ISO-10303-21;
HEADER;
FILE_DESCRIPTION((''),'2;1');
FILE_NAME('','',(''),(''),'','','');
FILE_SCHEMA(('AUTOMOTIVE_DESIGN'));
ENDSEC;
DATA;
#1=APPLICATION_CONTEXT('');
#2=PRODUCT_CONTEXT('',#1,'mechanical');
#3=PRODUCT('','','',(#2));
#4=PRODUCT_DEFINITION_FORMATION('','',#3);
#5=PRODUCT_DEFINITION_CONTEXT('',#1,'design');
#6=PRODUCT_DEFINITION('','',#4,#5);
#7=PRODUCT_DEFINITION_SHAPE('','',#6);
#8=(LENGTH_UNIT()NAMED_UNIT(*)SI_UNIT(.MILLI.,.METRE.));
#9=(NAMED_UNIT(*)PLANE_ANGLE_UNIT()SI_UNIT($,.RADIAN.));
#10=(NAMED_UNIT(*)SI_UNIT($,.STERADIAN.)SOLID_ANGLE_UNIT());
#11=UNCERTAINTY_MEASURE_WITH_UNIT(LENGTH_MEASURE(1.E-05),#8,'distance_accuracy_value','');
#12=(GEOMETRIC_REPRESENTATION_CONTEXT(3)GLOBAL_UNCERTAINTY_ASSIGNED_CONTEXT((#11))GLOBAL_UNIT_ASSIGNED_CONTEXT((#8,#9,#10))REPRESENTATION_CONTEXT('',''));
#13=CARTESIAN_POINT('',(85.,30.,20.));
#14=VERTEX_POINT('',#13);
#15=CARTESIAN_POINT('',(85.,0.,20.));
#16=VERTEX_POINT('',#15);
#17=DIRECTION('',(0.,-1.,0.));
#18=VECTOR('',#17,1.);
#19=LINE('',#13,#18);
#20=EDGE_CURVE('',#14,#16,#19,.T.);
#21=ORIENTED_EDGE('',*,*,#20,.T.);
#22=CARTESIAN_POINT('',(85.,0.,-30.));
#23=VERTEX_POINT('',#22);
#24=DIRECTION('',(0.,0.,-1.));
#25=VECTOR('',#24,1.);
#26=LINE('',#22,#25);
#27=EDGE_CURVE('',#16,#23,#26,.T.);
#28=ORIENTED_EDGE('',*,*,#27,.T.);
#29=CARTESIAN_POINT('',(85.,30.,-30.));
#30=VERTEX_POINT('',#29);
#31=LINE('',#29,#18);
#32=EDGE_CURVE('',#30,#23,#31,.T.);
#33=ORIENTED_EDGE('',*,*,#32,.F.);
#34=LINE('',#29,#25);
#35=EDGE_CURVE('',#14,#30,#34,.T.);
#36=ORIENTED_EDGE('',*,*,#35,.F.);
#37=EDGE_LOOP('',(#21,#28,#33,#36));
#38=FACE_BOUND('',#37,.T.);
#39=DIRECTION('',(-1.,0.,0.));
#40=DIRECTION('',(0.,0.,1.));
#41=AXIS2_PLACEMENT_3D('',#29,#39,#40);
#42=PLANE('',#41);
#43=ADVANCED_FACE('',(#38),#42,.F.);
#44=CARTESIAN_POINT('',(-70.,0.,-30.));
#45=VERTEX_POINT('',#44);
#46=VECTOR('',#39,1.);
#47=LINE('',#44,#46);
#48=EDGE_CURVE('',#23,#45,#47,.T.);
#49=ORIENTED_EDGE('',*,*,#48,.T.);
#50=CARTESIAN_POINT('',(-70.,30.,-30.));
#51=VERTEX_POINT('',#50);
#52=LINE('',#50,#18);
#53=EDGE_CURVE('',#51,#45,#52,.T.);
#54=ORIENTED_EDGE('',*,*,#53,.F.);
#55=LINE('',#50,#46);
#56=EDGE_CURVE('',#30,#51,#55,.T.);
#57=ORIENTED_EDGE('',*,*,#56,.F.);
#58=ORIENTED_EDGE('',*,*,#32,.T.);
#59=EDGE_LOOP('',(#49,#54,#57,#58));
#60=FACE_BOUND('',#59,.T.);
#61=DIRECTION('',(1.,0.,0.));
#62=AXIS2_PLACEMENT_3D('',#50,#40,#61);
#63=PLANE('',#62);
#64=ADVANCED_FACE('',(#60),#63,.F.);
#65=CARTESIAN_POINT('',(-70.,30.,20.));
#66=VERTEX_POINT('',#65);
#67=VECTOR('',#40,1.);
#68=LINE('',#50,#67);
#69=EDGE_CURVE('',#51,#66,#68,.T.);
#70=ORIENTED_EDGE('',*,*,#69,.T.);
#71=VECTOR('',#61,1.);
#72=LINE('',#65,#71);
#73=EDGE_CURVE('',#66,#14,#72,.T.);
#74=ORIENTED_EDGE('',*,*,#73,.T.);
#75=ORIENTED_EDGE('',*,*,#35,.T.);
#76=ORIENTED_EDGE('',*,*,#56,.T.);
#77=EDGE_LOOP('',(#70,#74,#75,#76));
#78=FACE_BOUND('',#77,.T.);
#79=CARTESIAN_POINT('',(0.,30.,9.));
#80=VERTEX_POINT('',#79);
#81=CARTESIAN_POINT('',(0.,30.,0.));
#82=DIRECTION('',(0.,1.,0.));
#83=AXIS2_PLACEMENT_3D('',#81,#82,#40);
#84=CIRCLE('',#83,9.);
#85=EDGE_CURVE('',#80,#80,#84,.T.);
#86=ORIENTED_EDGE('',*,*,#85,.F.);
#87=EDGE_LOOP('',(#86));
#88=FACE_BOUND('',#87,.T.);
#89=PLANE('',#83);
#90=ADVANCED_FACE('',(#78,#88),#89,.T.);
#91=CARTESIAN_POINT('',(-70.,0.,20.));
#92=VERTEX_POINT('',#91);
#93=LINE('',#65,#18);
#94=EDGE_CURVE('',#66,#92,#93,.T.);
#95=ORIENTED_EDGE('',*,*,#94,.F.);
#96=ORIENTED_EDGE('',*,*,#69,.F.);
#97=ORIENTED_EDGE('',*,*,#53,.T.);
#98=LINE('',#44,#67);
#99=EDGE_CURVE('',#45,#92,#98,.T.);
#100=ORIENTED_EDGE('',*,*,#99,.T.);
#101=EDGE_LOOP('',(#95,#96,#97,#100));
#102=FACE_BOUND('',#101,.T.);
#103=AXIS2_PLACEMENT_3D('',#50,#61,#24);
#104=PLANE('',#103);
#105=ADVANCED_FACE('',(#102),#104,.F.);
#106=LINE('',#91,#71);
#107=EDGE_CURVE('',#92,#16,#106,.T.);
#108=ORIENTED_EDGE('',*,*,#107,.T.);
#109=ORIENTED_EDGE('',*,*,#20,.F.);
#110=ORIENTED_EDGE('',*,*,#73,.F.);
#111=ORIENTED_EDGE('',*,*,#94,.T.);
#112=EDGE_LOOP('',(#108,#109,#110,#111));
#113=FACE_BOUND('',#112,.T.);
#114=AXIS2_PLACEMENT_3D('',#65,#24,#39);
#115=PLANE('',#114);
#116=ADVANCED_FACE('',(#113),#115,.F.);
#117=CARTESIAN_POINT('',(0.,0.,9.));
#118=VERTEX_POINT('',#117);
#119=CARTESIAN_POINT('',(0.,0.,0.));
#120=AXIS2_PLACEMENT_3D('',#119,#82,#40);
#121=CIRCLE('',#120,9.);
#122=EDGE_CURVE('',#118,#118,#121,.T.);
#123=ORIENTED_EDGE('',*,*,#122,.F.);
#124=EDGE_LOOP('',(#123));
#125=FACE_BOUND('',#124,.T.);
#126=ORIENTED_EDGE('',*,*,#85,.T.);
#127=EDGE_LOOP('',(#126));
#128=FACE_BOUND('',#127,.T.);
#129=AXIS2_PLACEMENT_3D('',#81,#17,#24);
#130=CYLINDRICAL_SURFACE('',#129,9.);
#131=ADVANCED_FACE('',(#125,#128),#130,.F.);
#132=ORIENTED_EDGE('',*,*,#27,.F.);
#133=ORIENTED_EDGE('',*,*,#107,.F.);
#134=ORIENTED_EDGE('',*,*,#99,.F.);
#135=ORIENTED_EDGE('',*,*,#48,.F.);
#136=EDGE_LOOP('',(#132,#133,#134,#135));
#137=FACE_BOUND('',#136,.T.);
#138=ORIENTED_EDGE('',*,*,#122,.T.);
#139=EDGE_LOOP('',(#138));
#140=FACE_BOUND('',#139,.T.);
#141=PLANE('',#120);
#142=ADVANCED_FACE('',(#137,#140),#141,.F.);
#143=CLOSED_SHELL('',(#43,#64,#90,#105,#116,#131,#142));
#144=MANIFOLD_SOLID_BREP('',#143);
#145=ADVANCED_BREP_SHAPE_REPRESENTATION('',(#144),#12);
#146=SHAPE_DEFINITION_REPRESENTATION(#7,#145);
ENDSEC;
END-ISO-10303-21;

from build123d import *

# Parameters (mm, degrees)
SKETCH1_W           = 155
SKETCH1_H           = 50
SKETCH1_R           = 9
BOSS_EXTRUDE1_DEPTH = 30


with BuildPart() as part:
    # Sketch1 → Boss-Extrude1 (new body)
    with BuildSketch(Plane(origin=(0, 0, 0), x_dir=(1, 0, 0), z_dir=(0, 1, 0))):
        with Locations((7.5, 5)):
            Rectangle(SKETCH1_W, SKETCH1_H)
        Circle(SKETCH1_R, mode=Mode.SUBTRACT)
    extrude(amount=BOSS_EXTRUDE1_DEPTH)


solid = part.part
